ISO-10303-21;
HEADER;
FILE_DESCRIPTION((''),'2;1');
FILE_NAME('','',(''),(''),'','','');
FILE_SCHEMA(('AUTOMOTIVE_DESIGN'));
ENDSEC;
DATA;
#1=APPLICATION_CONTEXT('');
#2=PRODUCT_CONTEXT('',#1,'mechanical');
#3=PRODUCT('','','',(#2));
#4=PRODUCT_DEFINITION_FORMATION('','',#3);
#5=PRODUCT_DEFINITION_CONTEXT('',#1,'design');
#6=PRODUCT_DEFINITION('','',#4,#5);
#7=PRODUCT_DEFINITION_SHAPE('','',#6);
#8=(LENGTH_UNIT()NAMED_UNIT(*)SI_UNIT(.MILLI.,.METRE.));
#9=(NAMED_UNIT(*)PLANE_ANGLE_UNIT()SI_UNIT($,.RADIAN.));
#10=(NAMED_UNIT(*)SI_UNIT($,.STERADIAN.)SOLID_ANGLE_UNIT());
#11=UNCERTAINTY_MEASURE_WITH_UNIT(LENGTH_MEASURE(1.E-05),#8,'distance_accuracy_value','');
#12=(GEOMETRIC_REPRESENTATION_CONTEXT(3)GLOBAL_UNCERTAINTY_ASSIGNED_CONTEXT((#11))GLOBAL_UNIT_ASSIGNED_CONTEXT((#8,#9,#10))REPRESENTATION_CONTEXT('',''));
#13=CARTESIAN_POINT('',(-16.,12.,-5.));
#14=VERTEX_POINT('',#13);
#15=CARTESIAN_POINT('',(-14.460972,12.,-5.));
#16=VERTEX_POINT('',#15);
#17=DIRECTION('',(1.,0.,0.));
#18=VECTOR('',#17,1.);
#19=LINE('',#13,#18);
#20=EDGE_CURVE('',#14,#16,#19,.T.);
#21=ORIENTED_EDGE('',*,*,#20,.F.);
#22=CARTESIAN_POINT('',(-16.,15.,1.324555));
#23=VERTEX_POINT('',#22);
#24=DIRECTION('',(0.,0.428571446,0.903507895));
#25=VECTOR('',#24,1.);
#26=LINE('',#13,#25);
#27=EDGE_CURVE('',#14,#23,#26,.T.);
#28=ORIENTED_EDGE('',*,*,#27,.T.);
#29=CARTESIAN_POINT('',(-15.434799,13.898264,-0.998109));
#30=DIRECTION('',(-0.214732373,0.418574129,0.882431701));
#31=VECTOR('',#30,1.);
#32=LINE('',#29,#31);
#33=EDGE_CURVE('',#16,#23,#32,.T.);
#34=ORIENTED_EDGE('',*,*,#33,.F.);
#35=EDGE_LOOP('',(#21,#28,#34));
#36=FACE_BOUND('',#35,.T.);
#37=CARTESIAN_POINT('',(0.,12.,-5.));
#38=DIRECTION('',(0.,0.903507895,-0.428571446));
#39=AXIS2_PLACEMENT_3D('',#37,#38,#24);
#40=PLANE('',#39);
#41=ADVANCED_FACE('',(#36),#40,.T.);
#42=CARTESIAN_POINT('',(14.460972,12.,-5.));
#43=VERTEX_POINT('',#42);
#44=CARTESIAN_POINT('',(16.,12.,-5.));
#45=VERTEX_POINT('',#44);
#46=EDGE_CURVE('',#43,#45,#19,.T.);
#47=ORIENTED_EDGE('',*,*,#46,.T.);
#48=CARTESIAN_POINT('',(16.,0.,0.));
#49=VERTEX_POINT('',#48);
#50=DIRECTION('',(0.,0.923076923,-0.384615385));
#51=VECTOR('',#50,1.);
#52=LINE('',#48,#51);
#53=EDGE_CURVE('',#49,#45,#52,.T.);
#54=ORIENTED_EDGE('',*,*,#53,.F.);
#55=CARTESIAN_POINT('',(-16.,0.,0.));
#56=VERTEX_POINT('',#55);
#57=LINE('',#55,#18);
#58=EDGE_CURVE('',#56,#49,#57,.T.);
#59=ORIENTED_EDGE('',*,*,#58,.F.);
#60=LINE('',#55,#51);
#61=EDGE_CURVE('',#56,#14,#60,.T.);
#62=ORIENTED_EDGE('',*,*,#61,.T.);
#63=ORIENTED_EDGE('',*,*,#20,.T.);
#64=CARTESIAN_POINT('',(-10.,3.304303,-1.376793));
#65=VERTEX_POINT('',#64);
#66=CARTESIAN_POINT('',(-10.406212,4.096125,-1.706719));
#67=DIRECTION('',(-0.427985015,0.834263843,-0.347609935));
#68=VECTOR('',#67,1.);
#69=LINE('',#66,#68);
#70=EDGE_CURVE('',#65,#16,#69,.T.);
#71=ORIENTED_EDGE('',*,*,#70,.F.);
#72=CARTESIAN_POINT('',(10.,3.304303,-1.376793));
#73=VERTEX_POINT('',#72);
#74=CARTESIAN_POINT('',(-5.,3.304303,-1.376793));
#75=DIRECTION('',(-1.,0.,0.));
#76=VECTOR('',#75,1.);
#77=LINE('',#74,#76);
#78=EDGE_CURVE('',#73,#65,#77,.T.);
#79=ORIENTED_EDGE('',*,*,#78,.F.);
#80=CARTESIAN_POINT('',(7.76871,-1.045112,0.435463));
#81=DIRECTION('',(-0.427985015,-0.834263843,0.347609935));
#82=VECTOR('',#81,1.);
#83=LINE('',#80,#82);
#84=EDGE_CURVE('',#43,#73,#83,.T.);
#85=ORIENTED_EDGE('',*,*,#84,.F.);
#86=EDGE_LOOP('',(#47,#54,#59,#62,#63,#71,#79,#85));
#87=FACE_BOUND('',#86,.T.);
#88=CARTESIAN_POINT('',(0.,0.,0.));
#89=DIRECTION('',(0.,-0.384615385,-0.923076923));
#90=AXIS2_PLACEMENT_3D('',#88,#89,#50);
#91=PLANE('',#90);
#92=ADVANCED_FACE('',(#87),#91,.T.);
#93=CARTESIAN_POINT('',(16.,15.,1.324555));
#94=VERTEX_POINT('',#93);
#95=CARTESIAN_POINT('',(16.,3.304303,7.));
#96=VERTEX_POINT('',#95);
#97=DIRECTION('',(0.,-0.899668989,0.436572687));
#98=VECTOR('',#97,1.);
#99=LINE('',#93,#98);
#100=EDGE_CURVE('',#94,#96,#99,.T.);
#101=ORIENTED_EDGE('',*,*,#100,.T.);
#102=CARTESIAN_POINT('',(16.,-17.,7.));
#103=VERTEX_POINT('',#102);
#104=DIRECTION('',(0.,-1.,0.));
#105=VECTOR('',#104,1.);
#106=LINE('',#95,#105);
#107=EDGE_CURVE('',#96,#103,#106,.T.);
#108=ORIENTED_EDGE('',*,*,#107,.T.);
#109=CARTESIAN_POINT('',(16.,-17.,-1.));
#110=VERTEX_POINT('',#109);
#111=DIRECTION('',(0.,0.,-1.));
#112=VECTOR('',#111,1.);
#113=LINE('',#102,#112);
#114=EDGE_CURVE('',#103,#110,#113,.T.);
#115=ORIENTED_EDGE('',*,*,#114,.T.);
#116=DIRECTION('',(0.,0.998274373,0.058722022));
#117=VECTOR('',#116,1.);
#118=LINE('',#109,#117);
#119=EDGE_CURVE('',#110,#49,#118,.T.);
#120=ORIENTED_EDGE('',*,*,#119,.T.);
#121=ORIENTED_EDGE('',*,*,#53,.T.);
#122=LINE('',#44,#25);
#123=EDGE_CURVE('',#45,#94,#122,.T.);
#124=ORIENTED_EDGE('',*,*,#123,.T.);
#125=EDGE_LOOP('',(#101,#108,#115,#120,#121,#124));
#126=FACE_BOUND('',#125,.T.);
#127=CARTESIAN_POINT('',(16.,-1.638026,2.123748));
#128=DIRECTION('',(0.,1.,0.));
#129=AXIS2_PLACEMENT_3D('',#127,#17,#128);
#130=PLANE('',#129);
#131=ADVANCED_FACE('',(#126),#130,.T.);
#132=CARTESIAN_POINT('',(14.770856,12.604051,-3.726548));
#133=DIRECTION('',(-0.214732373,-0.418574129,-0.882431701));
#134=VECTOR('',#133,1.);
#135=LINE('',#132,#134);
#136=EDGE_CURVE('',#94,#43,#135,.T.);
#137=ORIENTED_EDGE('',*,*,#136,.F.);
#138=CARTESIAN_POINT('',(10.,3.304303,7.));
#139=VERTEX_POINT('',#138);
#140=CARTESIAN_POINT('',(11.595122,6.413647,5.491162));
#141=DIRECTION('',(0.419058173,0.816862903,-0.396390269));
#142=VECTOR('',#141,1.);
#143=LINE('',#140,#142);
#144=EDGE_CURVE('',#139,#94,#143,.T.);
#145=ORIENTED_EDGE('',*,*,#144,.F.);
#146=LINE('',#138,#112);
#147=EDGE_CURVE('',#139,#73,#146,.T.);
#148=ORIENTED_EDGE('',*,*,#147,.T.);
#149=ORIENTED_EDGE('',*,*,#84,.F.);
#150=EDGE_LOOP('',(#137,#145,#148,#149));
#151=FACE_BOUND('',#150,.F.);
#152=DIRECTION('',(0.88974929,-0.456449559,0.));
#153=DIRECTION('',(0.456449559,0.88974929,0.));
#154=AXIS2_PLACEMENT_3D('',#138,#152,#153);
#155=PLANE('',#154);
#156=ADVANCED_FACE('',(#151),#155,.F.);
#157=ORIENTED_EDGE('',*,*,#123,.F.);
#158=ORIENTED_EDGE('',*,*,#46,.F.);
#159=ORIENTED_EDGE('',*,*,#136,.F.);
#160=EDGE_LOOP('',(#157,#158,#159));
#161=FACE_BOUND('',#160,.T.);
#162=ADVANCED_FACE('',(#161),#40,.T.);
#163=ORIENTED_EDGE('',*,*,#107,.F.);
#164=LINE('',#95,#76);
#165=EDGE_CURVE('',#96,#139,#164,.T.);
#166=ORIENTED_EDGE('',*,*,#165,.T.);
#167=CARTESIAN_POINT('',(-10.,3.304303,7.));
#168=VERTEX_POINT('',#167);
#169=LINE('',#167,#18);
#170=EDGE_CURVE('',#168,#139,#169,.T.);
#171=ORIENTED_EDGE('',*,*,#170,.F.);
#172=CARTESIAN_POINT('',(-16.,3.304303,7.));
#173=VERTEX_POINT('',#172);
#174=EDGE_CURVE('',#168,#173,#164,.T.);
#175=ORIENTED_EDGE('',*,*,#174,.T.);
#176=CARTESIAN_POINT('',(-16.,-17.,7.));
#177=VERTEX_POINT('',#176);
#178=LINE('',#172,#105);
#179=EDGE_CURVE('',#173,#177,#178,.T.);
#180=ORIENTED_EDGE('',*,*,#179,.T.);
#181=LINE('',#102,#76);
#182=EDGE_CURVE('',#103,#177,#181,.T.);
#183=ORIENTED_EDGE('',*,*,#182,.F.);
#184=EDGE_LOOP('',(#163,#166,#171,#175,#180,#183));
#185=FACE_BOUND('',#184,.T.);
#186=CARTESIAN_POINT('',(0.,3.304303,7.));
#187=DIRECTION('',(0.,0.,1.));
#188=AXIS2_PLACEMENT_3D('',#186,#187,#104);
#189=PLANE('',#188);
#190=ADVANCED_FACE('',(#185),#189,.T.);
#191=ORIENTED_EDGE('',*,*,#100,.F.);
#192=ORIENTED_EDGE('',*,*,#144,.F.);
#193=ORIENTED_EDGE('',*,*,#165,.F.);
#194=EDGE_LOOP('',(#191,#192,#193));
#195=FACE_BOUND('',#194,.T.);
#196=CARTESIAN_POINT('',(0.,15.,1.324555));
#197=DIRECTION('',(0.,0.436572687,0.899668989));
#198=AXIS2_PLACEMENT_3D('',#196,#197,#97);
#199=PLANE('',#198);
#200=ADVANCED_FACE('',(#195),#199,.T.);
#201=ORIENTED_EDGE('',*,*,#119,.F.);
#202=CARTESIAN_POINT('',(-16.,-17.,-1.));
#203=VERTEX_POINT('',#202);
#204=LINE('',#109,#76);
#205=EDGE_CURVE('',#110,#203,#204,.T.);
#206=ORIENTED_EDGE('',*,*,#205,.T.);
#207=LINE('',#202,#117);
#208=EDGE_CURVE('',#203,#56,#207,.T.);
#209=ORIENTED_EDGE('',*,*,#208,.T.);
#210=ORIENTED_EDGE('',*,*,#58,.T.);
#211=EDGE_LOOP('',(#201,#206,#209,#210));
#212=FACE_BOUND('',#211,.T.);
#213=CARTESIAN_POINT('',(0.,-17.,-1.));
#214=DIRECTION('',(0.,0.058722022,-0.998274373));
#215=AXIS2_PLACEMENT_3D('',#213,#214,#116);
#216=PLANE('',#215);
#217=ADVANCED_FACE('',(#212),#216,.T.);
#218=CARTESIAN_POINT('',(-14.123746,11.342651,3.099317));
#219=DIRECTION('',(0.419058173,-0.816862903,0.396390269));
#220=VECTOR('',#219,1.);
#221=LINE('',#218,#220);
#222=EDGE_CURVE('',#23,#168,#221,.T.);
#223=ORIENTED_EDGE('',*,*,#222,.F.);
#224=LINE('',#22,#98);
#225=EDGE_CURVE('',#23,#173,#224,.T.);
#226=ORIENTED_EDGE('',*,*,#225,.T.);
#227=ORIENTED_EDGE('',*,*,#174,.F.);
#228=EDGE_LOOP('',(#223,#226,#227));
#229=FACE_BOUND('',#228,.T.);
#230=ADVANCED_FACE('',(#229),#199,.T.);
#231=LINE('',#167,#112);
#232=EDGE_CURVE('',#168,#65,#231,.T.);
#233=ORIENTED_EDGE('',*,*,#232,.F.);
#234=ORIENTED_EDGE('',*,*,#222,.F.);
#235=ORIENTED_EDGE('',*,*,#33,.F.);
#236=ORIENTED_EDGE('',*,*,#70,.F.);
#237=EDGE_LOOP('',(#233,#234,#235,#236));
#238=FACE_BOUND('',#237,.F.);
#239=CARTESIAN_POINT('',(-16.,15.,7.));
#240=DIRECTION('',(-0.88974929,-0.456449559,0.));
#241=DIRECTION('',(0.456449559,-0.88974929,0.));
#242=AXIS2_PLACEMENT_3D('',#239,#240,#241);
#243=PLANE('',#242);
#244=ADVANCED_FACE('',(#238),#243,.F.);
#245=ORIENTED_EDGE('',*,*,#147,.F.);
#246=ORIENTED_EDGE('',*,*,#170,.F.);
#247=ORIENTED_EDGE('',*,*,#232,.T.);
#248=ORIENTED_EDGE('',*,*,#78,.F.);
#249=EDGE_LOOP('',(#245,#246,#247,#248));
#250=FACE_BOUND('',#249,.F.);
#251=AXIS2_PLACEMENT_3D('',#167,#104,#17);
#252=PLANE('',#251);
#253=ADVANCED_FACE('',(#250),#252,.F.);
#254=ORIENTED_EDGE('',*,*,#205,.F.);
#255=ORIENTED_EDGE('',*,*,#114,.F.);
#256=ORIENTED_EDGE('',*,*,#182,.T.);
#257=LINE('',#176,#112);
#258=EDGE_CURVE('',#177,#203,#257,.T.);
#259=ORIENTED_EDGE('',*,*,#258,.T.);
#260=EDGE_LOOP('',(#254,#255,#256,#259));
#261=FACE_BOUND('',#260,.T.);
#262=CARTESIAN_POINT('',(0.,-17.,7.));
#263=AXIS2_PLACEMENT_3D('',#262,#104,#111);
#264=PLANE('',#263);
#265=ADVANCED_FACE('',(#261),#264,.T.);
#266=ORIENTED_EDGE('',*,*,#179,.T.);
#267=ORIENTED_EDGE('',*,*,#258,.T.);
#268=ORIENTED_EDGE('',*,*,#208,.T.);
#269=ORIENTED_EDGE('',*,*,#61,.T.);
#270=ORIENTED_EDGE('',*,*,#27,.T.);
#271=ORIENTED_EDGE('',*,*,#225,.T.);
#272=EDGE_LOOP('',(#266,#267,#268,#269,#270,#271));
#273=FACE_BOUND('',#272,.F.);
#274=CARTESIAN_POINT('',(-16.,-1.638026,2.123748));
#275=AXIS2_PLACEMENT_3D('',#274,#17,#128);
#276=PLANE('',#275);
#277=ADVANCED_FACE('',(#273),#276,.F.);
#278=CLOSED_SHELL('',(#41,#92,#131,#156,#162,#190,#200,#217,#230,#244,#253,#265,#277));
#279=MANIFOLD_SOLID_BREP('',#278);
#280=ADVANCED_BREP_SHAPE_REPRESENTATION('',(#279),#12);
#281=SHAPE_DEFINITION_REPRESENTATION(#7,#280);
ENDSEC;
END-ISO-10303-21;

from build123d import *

# Parameters (mm, degrees)
F1_DEPTH = 16
F3_DEPTH = 25


with BuildPart() as f1:
    # F0 (on Right) → F1 (new body, symmetric)
    with BuildSketch(Plane.YZ):
        Polygon((-17, -1), (0, 0), (12, -5), (15, 1.324555), (3.304303, 7), (-17, 7), align=None)
    extrude(amount=F1_DEPTH, both=True)

    # F2 (on face) → F3 (cut)
    with BuildSketch(Plane.XY.offset(7)):
        Polygon((10, 3.304303), (16, 15), (-16, 15), (-10, 3.304303), align=None)
    extrude(amount=-F3_DEPTH, mode=Mode.SUBTRACT)


solid = f1.part
